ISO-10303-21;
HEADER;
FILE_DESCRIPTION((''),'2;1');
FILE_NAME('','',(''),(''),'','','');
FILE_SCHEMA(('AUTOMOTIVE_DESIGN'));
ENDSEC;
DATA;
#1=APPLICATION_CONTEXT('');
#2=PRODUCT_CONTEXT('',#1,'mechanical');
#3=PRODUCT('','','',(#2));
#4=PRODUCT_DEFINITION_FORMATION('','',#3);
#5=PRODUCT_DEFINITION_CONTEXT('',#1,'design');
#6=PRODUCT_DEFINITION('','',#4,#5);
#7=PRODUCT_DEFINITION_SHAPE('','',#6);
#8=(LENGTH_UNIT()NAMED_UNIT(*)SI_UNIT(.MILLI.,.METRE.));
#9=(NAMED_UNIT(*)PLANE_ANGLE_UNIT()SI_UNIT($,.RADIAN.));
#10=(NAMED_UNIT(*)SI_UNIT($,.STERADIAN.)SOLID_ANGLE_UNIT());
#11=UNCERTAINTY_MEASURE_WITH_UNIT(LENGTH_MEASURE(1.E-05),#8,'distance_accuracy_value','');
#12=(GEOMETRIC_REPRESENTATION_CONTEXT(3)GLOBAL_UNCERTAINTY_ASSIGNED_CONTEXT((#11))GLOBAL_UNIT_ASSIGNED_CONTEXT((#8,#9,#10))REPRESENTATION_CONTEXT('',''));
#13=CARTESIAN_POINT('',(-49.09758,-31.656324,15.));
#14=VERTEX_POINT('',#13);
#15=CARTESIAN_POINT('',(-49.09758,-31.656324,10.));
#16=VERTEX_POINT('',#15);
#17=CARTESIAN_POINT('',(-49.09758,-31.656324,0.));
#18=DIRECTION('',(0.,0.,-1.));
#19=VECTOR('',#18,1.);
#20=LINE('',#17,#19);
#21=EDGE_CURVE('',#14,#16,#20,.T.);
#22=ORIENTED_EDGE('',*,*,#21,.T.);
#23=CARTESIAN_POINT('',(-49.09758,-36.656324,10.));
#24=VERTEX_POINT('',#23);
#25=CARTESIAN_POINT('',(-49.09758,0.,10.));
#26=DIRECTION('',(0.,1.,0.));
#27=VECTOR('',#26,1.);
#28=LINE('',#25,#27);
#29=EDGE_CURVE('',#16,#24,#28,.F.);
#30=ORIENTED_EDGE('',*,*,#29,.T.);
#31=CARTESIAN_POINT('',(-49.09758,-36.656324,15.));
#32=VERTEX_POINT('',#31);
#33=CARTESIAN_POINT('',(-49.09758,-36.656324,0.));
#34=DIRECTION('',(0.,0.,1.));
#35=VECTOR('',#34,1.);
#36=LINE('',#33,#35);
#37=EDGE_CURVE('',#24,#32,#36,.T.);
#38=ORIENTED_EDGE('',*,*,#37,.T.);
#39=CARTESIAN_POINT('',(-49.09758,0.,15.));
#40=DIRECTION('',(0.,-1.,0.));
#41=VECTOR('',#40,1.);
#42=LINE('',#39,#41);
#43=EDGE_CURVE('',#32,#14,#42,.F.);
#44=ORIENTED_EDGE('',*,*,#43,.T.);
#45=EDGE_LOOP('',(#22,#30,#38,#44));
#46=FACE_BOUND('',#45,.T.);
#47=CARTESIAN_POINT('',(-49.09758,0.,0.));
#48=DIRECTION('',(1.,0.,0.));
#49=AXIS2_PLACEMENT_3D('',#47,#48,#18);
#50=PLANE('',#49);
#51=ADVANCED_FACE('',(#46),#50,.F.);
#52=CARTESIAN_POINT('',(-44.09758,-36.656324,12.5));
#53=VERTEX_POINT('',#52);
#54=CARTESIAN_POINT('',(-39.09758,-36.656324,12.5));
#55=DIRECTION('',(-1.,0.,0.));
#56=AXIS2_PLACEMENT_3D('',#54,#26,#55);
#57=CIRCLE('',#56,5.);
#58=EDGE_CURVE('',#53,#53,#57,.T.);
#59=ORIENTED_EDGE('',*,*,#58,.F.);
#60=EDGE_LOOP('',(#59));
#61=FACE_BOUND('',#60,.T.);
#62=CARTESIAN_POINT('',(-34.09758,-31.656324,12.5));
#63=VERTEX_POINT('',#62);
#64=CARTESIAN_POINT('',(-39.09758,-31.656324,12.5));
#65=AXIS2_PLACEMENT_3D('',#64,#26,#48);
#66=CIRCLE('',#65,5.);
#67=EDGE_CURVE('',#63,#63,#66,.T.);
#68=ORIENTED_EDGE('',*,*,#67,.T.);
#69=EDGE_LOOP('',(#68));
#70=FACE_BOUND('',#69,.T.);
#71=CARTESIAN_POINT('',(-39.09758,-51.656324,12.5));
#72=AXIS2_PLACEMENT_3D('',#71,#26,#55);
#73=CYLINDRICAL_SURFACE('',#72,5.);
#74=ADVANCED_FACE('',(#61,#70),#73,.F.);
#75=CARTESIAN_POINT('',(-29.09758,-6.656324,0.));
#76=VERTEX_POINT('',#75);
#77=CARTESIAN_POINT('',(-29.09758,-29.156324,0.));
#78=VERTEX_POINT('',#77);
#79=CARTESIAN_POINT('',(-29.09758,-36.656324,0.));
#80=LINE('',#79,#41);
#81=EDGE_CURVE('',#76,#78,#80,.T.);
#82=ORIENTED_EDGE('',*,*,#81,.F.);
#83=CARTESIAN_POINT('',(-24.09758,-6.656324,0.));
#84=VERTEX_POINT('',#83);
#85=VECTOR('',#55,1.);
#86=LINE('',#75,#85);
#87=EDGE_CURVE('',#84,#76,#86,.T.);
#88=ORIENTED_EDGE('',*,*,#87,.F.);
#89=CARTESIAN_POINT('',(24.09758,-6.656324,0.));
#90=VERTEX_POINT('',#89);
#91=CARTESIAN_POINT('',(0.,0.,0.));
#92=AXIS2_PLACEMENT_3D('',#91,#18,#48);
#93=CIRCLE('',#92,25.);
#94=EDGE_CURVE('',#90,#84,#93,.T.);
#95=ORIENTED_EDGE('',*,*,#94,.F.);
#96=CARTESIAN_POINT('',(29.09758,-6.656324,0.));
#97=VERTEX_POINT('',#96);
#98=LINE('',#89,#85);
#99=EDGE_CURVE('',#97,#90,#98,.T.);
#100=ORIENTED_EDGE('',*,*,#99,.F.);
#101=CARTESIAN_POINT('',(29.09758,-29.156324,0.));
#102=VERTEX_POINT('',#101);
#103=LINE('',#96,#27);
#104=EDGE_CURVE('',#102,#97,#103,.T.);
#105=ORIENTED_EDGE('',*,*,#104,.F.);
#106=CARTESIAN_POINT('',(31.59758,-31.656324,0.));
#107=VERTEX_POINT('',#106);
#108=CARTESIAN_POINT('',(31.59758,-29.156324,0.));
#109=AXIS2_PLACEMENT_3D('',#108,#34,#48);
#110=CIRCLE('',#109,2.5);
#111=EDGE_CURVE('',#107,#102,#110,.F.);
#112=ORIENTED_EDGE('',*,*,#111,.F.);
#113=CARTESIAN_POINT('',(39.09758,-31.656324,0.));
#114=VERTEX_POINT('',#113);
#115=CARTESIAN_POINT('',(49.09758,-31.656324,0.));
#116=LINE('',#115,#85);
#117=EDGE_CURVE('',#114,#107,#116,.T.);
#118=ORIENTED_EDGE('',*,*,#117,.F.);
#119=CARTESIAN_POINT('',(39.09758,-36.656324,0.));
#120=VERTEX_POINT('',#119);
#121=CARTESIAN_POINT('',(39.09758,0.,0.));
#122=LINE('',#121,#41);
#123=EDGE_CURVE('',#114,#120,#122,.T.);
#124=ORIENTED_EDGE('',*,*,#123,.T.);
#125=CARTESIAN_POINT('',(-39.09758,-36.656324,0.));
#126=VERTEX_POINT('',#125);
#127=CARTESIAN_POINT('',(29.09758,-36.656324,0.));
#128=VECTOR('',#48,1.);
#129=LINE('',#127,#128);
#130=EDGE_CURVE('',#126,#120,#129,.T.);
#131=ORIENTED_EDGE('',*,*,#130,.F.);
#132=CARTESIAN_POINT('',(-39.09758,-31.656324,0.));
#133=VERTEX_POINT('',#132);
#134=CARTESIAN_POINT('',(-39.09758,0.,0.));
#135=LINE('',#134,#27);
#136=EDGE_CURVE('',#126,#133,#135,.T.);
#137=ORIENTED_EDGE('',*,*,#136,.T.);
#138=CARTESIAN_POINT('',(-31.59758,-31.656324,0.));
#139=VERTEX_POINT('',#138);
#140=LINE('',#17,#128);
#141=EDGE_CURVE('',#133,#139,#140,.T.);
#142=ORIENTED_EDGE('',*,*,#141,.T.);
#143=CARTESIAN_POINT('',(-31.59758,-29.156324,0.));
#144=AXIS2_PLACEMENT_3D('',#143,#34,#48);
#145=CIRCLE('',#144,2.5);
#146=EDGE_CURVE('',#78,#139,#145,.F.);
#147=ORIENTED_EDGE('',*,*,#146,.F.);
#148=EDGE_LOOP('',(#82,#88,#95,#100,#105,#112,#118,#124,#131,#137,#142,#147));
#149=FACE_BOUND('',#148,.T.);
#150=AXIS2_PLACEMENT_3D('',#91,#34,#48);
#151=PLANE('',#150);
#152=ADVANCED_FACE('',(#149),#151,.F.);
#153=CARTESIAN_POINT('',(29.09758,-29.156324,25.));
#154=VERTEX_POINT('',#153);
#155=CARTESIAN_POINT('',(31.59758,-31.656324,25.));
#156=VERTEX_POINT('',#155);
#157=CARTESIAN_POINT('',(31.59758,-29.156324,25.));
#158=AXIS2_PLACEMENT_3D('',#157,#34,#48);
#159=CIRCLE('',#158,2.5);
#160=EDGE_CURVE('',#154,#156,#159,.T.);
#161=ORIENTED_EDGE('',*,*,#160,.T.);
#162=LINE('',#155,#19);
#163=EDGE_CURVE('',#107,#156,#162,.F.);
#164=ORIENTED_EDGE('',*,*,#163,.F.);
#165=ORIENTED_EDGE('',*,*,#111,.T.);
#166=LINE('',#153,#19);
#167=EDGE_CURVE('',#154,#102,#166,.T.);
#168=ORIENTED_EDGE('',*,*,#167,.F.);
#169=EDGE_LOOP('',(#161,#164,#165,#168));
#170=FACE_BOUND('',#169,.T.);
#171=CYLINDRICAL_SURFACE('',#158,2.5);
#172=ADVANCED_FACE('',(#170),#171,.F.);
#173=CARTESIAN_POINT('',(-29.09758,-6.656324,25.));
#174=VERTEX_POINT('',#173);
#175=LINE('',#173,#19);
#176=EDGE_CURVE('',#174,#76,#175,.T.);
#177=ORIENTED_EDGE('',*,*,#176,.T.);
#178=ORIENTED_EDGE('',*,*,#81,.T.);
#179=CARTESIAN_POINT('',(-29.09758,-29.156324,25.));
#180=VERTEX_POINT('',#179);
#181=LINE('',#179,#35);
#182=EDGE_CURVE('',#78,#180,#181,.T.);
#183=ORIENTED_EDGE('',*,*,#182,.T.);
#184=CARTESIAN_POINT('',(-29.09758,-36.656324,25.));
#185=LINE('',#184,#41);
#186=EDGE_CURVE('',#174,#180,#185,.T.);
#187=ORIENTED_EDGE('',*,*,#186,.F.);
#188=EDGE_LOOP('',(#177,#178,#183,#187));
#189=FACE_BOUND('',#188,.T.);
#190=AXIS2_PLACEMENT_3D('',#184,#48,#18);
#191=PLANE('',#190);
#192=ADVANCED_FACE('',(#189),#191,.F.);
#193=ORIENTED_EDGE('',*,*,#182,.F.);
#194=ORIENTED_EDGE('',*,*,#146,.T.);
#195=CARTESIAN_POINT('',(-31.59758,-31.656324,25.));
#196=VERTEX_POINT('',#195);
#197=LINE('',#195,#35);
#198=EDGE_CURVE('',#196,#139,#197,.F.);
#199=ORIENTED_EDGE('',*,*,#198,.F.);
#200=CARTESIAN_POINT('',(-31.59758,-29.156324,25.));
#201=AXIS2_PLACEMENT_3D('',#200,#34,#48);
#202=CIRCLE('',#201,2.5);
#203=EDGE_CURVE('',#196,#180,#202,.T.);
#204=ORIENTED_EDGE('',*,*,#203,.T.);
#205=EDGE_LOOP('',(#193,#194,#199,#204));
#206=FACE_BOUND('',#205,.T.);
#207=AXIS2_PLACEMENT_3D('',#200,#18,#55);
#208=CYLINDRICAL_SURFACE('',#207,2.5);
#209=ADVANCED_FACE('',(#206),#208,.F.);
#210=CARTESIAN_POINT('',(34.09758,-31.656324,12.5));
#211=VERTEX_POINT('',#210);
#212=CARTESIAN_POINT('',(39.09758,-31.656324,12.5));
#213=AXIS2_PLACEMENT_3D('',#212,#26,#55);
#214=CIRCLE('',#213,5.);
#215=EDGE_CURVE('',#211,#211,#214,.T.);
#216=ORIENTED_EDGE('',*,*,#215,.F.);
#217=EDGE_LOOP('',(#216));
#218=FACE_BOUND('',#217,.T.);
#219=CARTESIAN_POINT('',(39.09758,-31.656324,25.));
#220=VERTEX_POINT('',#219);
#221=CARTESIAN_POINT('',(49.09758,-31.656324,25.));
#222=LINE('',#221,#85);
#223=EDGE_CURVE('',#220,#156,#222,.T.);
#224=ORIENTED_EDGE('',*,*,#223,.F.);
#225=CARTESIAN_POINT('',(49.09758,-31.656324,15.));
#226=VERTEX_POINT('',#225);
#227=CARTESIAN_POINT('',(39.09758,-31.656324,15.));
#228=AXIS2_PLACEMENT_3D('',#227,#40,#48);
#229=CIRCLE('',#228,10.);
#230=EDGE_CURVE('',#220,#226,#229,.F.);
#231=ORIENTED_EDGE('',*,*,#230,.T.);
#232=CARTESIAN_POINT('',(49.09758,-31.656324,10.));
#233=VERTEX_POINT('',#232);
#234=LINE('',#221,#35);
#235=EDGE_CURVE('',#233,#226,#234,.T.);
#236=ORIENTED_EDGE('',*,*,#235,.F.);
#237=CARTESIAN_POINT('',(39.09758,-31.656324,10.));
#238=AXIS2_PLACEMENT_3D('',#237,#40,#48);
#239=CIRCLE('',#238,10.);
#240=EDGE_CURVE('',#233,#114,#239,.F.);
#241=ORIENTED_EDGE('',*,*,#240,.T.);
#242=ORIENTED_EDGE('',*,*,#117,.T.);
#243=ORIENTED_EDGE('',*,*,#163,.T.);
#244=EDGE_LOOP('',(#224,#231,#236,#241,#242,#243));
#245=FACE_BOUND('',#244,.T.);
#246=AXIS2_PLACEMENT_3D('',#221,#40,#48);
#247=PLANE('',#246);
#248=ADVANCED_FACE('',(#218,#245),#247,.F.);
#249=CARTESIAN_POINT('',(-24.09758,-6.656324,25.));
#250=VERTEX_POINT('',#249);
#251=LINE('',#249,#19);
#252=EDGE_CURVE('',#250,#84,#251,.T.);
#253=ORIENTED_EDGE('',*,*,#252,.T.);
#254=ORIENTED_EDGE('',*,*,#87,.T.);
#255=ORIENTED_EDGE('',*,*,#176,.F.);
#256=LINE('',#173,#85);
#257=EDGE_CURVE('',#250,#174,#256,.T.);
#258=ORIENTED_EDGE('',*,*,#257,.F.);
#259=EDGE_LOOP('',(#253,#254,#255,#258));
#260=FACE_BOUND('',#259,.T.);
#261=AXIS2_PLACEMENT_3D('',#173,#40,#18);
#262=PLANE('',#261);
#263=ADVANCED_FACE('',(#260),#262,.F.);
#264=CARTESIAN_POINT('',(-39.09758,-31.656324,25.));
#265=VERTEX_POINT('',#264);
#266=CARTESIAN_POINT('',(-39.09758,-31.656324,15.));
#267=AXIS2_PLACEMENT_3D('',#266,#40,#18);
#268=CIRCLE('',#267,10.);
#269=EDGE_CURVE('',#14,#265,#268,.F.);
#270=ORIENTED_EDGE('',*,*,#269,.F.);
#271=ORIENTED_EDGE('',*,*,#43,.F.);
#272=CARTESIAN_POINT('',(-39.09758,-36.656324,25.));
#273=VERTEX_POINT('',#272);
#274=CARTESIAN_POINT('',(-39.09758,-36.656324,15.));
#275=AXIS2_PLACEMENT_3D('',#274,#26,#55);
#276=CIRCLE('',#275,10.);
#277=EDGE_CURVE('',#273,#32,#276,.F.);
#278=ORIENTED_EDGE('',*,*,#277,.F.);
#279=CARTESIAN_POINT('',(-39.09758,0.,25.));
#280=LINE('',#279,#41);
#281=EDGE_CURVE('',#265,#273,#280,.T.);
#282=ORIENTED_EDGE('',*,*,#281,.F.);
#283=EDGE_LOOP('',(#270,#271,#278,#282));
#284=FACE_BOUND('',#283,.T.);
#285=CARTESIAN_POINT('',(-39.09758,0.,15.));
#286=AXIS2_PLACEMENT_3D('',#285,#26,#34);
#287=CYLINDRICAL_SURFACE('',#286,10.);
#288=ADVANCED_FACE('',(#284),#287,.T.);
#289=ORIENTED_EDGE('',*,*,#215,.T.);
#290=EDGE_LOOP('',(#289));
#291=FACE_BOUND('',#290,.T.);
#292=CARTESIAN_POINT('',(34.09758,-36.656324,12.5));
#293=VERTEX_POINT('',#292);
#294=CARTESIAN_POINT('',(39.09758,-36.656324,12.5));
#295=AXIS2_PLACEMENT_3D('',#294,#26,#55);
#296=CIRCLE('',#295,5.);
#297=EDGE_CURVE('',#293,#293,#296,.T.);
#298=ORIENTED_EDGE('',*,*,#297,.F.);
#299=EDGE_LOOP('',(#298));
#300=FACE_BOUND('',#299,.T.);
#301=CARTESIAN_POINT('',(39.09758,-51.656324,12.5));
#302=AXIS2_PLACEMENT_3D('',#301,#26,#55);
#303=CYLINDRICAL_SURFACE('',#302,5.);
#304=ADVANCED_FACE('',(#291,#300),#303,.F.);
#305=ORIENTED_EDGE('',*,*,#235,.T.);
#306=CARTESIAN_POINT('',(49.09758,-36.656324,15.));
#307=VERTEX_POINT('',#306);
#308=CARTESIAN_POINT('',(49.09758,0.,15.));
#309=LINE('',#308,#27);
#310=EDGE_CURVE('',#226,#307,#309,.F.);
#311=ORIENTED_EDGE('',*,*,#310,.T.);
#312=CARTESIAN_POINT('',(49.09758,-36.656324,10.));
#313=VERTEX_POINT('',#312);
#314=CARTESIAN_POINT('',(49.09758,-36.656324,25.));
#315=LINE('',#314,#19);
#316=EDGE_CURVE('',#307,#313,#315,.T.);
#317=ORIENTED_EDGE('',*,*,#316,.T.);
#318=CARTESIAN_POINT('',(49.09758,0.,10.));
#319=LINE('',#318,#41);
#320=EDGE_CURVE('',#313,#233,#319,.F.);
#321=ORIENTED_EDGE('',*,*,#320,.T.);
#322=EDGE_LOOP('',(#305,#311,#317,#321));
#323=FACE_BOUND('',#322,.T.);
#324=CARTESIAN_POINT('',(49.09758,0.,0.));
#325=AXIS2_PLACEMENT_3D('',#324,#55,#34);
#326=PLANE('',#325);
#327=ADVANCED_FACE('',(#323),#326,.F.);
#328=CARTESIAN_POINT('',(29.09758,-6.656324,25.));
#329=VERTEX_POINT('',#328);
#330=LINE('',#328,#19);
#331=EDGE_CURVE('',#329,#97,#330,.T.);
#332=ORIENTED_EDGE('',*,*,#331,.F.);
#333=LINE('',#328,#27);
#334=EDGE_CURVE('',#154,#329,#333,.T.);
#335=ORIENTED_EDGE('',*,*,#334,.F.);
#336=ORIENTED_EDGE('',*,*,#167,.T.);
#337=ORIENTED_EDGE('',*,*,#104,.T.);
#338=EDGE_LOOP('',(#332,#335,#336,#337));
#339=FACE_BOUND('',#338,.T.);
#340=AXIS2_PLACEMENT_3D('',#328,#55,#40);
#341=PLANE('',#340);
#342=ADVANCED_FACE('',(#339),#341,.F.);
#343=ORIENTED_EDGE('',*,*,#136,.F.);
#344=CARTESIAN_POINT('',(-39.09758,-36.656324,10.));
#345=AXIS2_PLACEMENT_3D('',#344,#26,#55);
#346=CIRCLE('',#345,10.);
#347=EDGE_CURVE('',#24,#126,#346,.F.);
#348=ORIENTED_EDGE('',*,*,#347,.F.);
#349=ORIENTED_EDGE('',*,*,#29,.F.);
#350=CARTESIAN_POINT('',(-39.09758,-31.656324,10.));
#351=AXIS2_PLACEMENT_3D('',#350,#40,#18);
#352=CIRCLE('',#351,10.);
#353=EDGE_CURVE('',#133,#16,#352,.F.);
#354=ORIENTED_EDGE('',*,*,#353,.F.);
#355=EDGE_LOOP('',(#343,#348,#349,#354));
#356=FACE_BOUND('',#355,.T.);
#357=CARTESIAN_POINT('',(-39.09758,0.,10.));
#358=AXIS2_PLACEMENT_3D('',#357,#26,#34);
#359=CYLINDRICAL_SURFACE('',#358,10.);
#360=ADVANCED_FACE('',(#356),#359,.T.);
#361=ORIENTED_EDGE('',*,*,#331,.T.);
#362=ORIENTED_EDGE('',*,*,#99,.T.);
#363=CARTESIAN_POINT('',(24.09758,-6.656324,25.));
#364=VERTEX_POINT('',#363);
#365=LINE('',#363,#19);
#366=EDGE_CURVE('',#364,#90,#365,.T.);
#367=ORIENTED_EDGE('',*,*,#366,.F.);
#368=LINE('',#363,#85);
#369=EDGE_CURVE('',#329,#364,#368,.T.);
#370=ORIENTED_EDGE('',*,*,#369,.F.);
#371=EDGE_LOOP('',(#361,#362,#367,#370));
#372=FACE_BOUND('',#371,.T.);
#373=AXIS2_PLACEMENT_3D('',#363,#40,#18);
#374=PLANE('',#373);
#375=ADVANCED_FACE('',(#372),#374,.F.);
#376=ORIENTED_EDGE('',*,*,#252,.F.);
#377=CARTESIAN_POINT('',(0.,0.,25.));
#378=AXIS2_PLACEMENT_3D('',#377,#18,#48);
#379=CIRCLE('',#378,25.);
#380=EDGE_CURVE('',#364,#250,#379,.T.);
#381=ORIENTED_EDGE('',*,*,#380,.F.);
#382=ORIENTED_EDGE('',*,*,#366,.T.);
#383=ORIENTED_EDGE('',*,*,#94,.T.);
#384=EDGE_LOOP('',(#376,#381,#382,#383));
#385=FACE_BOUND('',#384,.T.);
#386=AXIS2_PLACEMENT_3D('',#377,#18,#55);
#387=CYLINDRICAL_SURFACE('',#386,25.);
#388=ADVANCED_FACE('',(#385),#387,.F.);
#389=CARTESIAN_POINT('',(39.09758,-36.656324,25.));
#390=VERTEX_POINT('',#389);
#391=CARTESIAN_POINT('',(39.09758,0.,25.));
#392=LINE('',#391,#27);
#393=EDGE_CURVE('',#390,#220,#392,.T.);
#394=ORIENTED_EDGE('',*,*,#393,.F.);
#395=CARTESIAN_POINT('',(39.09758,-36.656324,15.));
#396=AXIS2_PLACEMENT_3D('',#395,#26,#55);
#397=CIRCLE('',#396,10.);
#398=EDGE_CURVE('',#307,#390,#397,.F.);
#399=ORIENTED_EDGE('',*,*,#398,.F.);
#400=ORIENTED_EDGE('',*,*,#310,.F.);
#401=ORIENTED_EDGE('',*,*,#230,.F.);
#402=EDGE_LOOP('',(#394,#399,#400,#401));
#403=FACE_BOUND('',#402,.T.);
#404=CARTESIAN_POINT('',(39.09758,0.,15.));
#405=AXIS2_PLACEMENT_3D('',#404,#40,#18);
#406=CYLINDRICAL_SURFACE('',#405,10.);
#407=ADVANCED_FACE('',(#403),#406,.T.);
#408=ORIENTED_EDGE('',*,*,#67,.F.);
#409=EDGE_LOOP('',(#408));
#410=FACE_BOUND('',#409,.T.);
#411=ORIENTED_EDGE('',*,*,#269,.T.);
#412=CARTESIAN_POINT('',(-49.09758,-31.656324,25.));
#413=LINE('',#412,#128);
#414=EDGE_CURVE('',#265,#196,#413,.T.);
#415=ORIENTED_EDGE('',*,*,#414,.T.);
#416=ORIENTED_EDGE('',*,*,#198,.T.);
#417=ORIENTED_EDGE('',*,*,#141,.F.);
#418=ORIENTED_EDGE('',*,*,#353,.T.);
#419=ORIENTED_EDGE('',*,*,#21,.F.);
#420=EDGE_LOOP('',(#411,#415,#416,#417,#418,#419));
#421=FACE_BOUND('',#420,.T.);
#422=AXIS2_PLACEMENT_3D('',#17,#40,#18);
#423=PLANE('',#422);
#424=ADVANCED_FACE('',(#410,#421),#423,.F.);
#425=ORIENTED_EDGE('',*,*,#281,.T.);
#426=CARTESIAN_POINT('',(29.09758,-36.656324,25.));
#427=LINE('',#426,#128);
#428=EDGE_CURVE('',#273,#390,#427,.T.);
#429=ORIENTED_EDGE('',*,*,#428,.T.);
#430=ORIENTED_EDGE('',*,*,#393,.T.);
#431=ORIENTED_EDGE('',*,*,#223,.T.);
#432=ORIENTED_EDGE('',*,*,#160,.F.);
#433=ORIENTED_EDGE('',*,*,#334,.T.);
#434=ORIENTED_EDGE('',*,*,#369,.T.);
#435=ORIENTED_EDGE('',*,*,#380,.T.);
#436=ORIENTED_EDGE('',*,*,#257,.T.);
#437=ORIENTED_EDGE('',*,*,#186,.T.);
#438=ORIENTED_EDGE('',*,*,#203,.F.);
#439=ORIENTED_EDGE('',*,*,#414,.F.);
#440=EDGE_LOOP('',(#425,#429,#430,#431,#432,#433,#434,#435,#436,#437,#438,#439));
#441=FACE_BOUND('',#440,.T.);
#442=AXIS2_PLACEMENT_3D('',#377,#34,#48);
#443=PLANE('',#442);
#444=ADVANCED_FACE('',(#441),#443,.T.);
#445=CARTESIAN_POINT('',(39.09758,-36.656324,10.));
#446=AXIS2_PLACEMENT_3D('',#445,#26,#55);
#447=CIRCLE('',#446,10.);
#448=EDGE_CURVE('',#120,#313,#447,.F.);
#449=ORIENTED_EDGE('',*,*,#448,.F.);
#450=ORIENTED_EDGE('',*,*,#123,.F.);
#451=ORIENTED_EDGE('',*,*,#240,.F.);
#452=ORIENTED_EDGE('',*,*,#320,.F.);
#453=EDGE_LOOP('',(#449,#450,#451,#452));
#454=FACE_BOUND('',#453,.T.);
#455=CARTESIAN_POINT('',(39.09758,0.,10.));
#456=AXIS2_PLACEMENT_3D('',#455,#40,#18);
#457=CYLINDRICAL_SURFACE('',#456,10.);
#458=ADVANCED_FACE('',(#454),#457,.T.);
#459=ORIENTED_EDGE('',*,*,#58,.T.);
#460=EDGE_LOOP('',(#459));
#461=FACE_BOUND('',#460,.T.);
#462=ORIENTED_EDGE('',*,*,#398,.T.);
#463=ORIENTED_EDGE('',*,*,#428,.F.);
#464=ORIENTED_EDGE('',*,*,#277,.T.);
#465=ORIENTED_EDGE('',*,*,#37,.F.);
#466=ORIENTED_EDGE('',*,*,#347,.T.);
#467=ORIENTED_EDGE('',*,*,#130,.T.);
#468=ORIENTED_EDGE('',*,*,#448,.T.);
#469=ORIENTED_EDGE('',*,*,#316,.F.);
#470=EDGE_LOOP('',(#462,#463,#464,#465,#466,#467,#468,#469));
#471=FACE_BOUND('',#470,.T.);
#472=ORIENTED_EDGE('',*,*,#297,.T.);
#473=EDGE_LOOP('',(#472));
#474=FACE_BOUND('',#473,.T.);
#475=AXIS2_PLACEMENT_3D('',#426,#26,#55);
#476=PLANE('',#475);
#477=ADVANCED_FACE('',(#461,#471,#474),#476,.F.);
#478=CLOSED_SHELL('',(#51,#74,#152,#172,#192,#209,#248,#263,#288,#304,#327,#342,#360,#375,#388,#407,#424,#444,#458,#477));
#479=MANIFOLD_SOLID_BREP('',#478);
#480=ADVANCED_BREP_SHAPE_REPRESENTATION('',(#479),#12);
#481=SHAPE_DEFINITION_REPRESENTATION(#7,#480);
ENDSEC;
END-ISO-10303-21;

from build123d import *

# Parameters (mm, degrees)
RESSALTO_EXTRUS_O1_DEPTH = 25
ESBO_O3_W                = 25
ESBO_O3_H                = 5
RESSALTO_EXTRUS_O2_DEPTH = 20
FILETE1_R                = 10
FILETE2_R                = 10
ESBO_O4_W                = 25
ESBO_O4_H                = 5
RESSALTO_EXTRUS_O3_DEPTH = 20
FILETE3_R                = 10
FILETE4_R                = 10
ESBO_O5_R                = 5
CORTE_EXTRUS_O1_DEPTH    = 20
FILETE5_R                = 2.5
FILETE6_R                = 2.5


with BuildPart() as part:
    # Esboço2 → Ressalto-extrusão1 (new body)
    with BuildSketch(Plane.XY):
        with BuildLine():
            Line((24.097579721, -6.65632418), (29.097579721, -6.65632418))
            Line((29.097579721, -6.65632418), (29.097579721, -36.65632418))
            Line((29.097579721, -36.65632418), (-29.097579721, -36.65632418))
            Line((-29.097579721, -36.65632418), (-29.097579721, -6.65632418))
            Line((-29.097579721, -6.65632418), (-24.097579721, -6.65632418))
            ThreePointArc((-24.097579721, -6.65632418), (0, -25), (24.097579721, -6.65632418))
        make_face()
    extrude(amount=RESSALTO_EXTRUS_O1_DEPTH)

    # Esboço3 → Ressalto-extrusão2 (add)
    with BuildSketch(Plane.ZY.offset(29.097579721)):
        with Locations((12.5, -34.15632418)):
            Rectangle(ESBO_O3_W, ESBO_O3_H)
    extrude(amount=RESSALTO_EXTRUS_O2_DEPTH)

    # Filete1
    filete1_edges = [part.edges().sort_by_distance(p)[0] for p in [
        (-49.097579721, -34.15632418, 25),
    ]]
    fillet(filete1_edges, radius=FILETE1_R)

    # Filete2
    filete2_edges = [part.edges().sort_by_distance(p)[0] for p in [
        (-49.097579721, -34.15632418, 0),
    ]]
    fillet(filete2_edges, radius=FILETE2_R)

    # Esboço4 → Ressalto-extrusão3 (add)
    with BuildSketch(Plane(origin=(29.097579721, 0, 0), x_dir=(0, 0, -1), z_dir=(1, 0, 0))):
        with Locations((-12.5, -34.15632418)):
            Rectangle(ESBO_O4_W, ESBO_O4_H)
    extrude(amount=RESSALTO_EXTRUS_O3_DEPTH)

    # Filete3
    filete3_edges = [part.edges().sort_by_distance(p)[0] for p in [
        (49.097579721, -34.15632418, 25),
    ]]
    fillet(filete3_edges, radius=FILETE3_R)

    # Filete4
    filete4_edges = [part.edges().sort_by_distance(p)[0] for p in [
        (49.097579721, -34.15632418, 0),
    ]]
    fillet(filete4_edges, radius=FILETE4_R)

    # Esboço5 → Corte-extrusão1 (cut)
    with BuildSketch(Plane(origin=(0, -31.65632418, 0), x_dir=(1, 0, 0), z_dir=(0, 1, 0))):
        with Locations((39.097579721, -12.5)):
            Circle(ESBO_O5_R)
        with Locations((-39.097579721, -12.5)):
            Circle(ESBO_O5_R)
    extrude(amount=-CORTE_EXTRUS_O1_DEPTH, mode=Mode.SUBTRACT)

    # Filete5
    filete5_edges = [part.edges().sort_by_distance(p)[0] for p in [
        (-29.097579721, -31.65632418, 12.5),
    ]]
    fillet(filete5_edges, radius=FILETE5_R)

    # Filete6
    filete6_edges = [part.edges().sort_by_distance(p)[0] for p in [
        (29.097579721, -31.65632418, 12.5),
    ]]
    fillet(filete6_edges, radius=FILETE6_R)


solid = part.part
